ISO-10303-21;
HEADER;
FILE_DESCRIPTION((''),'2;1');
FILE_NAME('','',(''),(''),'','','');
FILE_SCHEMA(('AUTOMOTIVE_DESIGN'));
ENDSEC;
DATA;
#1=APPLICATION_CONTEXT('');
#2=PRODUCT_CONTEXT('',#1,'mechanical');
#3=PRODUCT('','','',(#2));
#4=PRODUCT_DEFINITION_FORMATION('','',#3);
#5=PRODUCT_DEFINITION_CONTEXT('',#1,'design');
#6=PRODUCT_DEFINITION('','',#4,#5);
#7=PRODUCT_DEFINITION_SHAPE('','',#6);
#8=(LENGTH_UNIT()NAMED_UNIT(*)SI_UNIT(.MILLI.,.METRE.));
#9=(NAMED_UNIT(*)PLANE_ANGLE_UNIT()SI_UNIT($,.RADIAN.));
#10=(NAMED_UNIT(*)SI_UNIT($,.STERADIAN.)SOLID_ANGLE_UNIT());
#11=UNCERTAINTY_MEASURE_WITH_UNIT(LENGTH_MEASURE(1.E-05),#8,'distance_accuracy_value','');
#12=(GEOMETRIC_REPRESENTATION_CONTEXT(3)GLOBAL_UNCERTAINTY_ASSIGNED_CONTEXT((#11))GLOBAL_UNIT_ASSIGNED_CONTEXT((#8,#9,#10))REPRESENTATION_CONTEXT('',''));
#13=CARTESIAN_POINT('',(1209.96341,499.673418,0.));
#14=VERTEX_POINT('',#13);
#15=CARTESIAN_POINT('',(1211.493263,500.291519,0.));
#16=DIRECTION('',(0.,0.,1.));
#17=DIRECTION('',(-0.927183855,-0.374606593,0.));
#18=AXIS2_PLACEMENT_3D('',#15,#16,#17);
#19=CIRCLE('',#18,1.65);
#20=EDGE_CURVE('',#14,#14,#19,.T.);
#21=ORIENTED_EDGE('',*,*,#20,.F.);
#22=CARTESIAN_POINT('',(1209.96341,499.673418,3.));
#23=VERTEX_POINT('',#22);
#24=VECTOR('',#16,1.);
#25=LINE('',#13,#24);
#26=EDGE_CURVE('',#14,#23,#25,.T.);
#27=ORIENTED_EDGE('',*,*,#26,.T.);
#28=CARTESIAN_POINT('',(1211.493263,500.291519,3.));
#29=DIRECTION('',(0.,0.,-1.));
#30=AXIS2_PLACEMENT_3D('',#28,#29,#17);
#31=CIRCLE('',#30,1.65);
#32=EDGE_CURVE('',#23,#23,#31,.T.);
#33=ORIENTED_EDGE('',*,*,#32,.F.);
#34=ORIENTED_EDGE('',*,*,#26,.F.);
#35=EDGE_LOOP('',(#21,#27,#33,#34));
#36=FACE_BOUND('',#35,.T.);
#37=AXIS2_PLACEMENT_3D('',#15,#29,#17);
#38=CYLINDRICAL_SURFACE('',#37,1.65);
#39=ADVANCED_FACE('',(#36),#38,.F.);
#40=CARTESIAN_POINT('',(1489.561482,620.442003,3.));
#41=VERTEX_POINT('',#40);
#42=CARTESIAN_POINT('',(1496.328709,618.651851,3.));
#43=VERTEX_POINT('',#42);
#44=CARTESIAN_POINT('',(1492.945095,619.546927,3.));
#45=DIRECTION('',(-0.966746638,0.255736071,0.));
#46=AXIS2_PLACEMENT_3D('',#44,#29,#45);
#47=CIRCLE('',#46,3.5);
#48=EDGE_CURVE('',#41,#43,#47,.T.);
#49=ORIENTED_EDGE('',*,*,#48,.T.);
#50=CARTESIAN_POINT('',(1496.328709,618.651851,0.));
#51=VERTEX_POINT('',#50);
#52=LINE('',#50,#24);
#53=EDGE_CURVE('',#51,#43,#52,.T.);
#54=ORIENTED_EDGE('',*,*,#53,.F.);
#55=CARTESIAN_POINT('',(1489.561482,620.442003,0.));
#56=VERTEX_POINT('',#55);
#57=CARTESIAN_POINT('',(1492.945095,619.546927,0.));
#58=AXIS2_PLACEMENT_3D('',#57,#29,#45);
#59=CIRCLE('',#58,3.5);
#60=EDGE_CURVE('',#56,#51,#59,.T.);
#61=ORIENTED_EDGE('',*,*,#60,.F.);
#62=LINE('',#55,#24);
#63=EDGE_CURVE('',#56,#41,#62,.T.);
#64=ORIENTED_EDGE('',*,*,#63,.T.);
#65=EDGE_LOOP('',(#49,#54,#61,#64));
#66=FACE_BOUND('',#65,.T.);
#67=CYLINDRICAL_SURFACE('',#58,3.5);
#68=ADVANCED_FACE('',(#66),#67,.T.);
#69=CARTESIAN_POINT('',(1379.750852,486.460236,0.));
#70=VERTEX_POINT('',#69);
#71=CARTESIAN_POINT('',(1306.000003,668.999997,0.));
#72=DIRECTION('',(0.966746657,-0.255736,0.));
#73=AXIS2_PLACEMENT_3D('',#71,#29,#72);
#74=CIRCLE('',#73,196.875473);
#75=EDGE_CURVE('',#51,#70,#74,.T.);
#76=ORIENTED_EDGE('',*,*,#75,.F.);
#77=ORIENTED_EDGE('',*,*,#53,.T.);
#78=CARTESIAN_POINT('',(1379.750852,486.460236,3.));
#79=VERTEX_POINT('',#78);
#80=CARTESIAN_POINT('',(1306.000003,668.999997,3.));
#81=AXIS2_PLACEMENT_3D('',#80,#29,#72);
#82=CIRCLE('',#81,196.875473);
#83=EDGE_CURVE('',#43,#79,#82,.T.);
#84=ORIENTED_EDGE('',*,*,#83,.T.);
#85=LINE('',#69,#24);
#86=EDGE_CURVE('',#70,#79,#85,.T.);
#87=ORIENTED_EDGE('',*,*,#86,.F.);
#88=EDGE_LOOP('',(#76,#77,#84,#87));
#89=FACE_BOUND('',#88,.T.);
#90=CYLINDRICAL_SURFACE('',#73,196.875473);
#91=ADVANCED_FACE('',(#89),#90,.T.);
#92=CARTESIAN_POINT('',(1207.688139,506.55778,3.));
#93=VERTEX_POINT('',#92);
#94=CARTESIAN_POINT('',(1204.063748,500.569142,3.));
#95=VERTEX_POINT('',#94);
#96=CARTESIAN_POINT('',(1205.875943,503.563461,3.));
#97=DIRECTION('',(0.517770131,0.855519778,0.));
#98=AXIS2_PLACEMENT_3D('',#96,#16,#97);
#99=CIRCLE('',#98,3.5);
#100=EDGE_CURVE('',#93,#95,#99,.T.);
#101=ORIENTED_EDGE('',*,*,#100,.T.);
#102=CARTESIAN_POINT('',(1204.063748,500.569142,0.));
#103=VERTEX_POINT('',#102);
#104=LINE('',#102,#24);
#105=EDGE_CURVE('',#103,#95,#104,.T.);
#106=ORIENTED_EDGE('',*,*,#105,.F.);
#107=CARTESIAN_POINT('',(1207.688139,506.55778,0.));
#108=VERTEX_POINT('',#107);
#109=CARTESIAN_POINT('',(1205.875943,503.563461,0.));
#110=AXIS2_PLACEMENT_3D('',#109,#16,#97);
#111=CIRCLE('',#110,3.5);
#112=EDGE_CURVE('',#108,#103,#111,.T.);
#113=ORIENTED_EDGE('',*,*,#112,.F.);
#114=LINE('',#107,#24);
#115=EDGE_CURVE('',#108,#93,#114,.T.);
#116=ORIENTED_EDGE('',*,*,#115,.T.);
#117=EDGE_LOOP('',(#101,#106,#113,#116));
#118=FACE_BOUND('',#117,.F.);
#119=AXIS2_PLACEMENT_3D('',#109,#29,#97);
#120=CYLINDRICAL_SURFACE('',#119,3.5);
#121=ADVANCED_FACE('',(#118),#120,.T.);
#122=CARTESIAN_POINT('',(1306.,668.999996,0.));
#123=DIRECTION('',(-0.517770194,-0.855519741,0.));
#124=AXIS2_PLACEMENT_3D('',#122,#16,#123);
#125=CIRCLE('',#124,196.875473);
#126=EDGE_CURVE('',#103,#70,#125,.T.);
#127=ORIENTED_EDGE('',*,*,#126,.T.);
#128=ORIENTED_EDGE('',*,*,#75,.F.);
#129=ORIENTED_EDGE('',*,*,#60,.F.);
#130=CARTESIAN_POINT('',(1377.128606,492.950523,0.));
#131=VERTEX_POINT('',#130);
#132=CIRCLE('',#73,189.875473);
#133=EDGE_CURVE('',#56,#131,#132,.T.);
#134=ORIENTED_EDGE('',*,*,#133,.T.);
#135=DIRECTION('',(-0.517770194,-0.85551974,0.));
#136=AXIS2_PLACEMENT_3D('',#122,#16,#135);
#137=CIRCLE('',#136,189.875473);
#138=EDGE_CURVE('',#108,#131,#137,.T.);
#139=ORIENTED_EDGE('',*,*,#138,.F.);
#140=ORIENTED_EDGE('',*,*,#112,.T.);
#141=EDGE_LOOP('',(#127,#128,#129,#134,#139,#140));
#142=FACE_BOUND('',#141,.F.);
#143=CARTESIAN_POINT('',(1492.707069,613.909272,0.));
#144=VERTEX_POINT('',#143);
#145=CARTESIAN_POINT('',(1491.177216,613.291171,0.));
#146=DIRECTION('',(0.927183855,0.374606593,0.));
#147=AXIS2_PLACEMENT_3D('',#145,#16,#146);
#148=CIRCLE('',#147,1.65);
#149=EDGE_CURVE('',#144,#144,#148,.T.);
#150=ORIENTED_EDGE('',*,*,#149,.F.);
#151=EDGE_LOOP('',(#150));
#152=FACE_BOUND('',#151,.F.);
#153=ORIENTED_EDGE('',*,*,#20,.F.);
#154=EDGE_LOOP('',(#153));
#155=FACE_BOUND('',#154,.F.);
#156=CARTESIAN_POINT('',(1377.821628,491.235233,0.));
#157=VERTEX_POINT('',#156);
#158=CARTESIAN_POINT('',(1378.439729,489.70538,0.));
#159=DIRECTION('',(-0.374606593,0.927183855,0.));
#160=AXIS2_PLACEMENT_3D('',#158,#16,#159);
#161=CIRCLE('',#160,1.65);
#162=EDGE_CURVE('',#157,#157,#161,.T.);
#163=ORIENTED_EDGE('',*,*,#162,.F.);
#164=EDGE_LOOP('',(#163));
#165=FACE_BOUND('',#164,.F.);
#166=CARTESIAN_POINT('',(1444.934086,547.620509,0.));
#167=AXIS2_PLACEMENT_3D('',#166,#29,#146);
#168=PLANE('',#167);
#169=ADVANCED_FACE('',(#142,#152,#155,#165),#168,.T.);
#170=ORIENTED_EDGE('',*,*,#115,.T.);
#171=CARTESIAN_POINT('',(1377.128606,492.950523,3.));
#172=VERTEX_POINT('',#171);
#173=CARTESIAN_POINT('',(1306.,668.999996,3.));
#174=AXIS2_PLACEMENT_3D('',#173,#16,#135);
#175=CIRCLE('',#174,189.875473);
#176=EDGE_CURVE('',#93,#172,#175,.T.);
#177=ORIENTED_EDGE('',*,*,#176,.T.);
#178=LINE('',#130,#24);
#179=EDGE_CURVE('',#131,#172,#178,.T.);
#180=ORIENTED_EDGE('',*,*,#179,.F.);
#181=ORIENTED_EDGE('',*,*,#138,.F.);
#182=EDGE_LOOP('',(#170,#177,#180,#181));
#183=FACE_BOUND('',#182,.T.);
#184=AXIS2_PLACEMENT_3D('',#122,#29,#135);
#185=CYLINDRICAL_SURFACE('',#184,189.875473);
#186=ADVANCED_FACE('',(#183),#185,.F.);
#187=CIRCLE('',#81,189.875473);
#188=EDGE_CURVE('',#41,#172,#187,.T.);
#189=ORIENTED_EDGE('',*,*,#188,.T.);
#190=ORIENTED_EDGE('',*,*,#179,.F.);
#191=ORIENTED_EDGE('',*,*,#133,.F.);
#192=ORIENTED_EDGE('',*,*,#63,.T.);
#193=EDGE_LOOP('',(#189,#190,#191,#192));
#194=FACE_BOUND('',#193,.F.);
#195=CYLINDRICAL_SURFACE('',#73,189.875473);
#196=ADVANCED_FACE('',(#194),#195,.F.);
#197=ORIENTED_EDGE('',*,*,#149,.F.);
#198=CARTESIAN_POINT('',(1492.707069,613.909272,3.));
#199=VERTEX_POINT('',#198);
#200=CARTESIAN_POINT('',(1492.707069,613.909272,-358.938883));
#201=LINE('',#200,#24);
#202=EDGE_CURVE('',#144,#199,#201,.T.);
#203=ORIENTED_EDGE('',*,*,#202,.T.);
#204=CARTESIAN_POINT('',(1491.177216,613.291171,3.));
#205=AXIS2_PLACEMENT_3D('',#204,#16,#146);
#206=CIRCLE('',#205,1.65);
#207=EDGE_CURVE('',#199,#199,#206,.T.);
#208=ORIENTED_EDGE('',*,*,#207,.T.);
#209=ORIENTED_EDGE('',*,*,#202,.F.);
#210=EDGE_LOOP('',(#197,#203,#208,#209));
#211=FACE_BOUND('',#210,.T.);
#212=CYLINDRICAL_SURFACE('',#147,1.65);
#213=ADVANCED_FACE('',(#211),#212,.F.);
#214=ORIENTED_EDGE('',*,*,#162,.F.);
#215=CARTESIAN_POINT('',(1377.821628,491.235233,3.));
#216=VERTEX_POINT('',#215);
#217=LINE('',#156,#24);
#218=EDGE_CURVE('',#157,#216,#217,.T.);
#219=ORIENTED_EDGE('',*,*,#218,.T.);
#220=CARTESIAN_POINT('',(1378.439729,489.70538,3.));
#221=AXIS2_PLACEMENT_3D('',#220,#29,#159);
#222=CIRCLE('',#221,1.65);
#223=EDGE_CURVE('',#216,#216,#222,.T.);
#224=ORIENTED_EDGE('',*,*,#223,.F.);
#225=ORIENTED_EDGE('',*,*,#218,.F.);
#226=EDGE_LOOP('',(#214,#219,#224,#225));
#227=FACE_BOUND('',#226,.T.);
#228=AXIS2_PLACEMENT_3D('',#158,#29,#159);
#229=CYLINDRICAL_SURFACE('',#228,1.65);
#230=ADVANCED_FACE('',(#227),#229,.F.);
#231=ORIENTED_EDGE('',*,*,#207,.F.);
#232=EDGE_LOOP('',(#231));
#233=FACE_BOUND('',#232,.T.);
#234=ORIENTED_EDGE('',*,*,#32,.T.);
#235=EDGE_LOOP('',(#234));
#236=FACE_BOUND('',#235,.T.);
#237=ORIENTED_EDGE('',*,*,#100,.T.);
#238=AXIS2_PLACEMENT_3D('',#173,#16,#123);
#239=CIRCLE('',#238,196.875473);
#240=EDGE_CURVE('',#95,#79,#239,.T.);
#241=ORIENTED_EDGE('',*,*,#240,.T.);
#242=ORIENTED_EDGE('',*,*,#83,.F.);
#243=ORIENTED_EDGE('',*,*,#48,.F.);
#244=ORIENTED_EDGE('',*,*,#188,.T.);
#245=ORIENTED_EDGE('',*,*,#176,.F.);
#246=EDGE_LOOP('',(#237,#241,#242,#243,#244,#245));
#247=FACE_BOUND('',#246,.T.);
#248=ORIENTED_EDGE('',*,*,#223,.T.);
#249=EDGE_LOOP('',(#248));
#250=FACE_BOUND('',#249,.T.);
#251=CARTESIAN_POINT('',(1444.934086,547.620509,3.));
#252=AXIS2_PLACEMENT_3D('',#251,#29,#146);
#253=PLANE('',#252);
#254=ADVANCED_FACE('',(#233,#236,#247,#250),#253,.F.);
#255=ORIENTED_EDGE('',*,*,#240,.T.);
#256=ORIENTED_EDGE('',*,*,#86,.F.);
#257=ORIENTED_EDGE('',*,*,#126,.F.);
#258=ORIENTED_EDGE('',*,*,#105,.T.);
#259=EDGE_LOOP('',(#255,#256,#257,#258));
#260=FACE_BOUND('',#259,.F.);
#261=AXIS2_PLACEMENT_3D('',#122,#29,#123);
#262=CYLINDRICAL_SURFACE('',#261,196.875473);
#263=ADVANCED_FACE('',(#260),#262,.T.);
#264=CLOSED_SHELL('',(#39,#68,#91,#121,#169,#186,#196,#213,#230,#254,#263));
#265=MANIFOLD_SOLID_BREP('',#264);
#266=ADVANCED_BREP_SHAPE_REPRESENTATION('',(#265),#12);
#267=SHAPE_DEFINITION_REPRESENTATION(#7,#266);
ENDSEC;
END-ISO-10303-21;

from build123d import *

# Parameters (mm, degrees)
PAD015_DEPTH                        = 3
SKETCH054_R                         = 1.65
POCKET018_DEPTH                     = 358.938883
POCKET018_DEPTH_BACK                = 361.938883
BODY001003005003004_PLACEMENT_ANGLE = 60
CLONE004_PLACEMENT_ANGLE            = 142


with BuildPart() as part:
    # Sketch053 → Pad015 (new body)
    with BuildSketch(Plane.XY):
        with BuildLine():
            ThreePointArc((152.005097, 113.785532), (84.992984, 169.790723), (0, 189.875477))
            Line((0, 189.875477), (0, 196.875477))
            ThreePointArc((157.608957, 117.98038), (88.126358, 176.050273), (0, 196.875477))
            ThreePointArc((152.005097, 113.785532), (156.904451, 113.081026), (157.608957, 117.98038))
        make_face()
    pad015 = extrude(amount=PAD015_DEPTH)

    # Sketch054 → Pocket018 (cut, two sides)
    with BuildSketch(Plane.XY) as pocket018_sk:
        with Locations((150.82443, 121.020933)):
            Circle(SKETCH054_R)
        with BuildLine():
            ThreePointArc((0, 191.725477), (1.65, 193.375477), (0, 195.025477))
            Line((0, 191.725477), (0, 195.025477))
        make_face()
    pocket018 = extrude(amount=-POCKET018_DEPTH, mode=Mode.SUBTRACT) + extrude(pocket018_sk.sketch, amount=POCKET018_DEPTH_BACK, mode=Mode.SUBTRACT)

    # Mirrored020: Pad015, Pocket018 across Sketch053 V_Axis
    add(pad015.mirror(Plane(origin=(0, 0, 0), x_dir=(0, 0, 1), z_dir=(1, 0, 0))))
    add(pocket018.mirror(Plane(origin=(0, 0, 0), x_dir=(0, 0, 1), z_dir=(1, 0, 0))), mode=Mode.SUBTRACT)


with BuildPart() as part_1:
    # Body001003005003004 placement: moved
    add(part.part.rotate(Axis((0, 0, 0), (0, 0, 1)), BODY001003005003004_PLACEMENT_ANGLE))


with BuildPart() as part_2:
    # Clone004 placement: moved
    add(part_1.part.moved(Location((1306, 669, 0))).rotate(Axis((1306, 669, 0), (0, 0, 1)), CLONE004_PLACEMENT_ANGLE))


solid = part_2.part
